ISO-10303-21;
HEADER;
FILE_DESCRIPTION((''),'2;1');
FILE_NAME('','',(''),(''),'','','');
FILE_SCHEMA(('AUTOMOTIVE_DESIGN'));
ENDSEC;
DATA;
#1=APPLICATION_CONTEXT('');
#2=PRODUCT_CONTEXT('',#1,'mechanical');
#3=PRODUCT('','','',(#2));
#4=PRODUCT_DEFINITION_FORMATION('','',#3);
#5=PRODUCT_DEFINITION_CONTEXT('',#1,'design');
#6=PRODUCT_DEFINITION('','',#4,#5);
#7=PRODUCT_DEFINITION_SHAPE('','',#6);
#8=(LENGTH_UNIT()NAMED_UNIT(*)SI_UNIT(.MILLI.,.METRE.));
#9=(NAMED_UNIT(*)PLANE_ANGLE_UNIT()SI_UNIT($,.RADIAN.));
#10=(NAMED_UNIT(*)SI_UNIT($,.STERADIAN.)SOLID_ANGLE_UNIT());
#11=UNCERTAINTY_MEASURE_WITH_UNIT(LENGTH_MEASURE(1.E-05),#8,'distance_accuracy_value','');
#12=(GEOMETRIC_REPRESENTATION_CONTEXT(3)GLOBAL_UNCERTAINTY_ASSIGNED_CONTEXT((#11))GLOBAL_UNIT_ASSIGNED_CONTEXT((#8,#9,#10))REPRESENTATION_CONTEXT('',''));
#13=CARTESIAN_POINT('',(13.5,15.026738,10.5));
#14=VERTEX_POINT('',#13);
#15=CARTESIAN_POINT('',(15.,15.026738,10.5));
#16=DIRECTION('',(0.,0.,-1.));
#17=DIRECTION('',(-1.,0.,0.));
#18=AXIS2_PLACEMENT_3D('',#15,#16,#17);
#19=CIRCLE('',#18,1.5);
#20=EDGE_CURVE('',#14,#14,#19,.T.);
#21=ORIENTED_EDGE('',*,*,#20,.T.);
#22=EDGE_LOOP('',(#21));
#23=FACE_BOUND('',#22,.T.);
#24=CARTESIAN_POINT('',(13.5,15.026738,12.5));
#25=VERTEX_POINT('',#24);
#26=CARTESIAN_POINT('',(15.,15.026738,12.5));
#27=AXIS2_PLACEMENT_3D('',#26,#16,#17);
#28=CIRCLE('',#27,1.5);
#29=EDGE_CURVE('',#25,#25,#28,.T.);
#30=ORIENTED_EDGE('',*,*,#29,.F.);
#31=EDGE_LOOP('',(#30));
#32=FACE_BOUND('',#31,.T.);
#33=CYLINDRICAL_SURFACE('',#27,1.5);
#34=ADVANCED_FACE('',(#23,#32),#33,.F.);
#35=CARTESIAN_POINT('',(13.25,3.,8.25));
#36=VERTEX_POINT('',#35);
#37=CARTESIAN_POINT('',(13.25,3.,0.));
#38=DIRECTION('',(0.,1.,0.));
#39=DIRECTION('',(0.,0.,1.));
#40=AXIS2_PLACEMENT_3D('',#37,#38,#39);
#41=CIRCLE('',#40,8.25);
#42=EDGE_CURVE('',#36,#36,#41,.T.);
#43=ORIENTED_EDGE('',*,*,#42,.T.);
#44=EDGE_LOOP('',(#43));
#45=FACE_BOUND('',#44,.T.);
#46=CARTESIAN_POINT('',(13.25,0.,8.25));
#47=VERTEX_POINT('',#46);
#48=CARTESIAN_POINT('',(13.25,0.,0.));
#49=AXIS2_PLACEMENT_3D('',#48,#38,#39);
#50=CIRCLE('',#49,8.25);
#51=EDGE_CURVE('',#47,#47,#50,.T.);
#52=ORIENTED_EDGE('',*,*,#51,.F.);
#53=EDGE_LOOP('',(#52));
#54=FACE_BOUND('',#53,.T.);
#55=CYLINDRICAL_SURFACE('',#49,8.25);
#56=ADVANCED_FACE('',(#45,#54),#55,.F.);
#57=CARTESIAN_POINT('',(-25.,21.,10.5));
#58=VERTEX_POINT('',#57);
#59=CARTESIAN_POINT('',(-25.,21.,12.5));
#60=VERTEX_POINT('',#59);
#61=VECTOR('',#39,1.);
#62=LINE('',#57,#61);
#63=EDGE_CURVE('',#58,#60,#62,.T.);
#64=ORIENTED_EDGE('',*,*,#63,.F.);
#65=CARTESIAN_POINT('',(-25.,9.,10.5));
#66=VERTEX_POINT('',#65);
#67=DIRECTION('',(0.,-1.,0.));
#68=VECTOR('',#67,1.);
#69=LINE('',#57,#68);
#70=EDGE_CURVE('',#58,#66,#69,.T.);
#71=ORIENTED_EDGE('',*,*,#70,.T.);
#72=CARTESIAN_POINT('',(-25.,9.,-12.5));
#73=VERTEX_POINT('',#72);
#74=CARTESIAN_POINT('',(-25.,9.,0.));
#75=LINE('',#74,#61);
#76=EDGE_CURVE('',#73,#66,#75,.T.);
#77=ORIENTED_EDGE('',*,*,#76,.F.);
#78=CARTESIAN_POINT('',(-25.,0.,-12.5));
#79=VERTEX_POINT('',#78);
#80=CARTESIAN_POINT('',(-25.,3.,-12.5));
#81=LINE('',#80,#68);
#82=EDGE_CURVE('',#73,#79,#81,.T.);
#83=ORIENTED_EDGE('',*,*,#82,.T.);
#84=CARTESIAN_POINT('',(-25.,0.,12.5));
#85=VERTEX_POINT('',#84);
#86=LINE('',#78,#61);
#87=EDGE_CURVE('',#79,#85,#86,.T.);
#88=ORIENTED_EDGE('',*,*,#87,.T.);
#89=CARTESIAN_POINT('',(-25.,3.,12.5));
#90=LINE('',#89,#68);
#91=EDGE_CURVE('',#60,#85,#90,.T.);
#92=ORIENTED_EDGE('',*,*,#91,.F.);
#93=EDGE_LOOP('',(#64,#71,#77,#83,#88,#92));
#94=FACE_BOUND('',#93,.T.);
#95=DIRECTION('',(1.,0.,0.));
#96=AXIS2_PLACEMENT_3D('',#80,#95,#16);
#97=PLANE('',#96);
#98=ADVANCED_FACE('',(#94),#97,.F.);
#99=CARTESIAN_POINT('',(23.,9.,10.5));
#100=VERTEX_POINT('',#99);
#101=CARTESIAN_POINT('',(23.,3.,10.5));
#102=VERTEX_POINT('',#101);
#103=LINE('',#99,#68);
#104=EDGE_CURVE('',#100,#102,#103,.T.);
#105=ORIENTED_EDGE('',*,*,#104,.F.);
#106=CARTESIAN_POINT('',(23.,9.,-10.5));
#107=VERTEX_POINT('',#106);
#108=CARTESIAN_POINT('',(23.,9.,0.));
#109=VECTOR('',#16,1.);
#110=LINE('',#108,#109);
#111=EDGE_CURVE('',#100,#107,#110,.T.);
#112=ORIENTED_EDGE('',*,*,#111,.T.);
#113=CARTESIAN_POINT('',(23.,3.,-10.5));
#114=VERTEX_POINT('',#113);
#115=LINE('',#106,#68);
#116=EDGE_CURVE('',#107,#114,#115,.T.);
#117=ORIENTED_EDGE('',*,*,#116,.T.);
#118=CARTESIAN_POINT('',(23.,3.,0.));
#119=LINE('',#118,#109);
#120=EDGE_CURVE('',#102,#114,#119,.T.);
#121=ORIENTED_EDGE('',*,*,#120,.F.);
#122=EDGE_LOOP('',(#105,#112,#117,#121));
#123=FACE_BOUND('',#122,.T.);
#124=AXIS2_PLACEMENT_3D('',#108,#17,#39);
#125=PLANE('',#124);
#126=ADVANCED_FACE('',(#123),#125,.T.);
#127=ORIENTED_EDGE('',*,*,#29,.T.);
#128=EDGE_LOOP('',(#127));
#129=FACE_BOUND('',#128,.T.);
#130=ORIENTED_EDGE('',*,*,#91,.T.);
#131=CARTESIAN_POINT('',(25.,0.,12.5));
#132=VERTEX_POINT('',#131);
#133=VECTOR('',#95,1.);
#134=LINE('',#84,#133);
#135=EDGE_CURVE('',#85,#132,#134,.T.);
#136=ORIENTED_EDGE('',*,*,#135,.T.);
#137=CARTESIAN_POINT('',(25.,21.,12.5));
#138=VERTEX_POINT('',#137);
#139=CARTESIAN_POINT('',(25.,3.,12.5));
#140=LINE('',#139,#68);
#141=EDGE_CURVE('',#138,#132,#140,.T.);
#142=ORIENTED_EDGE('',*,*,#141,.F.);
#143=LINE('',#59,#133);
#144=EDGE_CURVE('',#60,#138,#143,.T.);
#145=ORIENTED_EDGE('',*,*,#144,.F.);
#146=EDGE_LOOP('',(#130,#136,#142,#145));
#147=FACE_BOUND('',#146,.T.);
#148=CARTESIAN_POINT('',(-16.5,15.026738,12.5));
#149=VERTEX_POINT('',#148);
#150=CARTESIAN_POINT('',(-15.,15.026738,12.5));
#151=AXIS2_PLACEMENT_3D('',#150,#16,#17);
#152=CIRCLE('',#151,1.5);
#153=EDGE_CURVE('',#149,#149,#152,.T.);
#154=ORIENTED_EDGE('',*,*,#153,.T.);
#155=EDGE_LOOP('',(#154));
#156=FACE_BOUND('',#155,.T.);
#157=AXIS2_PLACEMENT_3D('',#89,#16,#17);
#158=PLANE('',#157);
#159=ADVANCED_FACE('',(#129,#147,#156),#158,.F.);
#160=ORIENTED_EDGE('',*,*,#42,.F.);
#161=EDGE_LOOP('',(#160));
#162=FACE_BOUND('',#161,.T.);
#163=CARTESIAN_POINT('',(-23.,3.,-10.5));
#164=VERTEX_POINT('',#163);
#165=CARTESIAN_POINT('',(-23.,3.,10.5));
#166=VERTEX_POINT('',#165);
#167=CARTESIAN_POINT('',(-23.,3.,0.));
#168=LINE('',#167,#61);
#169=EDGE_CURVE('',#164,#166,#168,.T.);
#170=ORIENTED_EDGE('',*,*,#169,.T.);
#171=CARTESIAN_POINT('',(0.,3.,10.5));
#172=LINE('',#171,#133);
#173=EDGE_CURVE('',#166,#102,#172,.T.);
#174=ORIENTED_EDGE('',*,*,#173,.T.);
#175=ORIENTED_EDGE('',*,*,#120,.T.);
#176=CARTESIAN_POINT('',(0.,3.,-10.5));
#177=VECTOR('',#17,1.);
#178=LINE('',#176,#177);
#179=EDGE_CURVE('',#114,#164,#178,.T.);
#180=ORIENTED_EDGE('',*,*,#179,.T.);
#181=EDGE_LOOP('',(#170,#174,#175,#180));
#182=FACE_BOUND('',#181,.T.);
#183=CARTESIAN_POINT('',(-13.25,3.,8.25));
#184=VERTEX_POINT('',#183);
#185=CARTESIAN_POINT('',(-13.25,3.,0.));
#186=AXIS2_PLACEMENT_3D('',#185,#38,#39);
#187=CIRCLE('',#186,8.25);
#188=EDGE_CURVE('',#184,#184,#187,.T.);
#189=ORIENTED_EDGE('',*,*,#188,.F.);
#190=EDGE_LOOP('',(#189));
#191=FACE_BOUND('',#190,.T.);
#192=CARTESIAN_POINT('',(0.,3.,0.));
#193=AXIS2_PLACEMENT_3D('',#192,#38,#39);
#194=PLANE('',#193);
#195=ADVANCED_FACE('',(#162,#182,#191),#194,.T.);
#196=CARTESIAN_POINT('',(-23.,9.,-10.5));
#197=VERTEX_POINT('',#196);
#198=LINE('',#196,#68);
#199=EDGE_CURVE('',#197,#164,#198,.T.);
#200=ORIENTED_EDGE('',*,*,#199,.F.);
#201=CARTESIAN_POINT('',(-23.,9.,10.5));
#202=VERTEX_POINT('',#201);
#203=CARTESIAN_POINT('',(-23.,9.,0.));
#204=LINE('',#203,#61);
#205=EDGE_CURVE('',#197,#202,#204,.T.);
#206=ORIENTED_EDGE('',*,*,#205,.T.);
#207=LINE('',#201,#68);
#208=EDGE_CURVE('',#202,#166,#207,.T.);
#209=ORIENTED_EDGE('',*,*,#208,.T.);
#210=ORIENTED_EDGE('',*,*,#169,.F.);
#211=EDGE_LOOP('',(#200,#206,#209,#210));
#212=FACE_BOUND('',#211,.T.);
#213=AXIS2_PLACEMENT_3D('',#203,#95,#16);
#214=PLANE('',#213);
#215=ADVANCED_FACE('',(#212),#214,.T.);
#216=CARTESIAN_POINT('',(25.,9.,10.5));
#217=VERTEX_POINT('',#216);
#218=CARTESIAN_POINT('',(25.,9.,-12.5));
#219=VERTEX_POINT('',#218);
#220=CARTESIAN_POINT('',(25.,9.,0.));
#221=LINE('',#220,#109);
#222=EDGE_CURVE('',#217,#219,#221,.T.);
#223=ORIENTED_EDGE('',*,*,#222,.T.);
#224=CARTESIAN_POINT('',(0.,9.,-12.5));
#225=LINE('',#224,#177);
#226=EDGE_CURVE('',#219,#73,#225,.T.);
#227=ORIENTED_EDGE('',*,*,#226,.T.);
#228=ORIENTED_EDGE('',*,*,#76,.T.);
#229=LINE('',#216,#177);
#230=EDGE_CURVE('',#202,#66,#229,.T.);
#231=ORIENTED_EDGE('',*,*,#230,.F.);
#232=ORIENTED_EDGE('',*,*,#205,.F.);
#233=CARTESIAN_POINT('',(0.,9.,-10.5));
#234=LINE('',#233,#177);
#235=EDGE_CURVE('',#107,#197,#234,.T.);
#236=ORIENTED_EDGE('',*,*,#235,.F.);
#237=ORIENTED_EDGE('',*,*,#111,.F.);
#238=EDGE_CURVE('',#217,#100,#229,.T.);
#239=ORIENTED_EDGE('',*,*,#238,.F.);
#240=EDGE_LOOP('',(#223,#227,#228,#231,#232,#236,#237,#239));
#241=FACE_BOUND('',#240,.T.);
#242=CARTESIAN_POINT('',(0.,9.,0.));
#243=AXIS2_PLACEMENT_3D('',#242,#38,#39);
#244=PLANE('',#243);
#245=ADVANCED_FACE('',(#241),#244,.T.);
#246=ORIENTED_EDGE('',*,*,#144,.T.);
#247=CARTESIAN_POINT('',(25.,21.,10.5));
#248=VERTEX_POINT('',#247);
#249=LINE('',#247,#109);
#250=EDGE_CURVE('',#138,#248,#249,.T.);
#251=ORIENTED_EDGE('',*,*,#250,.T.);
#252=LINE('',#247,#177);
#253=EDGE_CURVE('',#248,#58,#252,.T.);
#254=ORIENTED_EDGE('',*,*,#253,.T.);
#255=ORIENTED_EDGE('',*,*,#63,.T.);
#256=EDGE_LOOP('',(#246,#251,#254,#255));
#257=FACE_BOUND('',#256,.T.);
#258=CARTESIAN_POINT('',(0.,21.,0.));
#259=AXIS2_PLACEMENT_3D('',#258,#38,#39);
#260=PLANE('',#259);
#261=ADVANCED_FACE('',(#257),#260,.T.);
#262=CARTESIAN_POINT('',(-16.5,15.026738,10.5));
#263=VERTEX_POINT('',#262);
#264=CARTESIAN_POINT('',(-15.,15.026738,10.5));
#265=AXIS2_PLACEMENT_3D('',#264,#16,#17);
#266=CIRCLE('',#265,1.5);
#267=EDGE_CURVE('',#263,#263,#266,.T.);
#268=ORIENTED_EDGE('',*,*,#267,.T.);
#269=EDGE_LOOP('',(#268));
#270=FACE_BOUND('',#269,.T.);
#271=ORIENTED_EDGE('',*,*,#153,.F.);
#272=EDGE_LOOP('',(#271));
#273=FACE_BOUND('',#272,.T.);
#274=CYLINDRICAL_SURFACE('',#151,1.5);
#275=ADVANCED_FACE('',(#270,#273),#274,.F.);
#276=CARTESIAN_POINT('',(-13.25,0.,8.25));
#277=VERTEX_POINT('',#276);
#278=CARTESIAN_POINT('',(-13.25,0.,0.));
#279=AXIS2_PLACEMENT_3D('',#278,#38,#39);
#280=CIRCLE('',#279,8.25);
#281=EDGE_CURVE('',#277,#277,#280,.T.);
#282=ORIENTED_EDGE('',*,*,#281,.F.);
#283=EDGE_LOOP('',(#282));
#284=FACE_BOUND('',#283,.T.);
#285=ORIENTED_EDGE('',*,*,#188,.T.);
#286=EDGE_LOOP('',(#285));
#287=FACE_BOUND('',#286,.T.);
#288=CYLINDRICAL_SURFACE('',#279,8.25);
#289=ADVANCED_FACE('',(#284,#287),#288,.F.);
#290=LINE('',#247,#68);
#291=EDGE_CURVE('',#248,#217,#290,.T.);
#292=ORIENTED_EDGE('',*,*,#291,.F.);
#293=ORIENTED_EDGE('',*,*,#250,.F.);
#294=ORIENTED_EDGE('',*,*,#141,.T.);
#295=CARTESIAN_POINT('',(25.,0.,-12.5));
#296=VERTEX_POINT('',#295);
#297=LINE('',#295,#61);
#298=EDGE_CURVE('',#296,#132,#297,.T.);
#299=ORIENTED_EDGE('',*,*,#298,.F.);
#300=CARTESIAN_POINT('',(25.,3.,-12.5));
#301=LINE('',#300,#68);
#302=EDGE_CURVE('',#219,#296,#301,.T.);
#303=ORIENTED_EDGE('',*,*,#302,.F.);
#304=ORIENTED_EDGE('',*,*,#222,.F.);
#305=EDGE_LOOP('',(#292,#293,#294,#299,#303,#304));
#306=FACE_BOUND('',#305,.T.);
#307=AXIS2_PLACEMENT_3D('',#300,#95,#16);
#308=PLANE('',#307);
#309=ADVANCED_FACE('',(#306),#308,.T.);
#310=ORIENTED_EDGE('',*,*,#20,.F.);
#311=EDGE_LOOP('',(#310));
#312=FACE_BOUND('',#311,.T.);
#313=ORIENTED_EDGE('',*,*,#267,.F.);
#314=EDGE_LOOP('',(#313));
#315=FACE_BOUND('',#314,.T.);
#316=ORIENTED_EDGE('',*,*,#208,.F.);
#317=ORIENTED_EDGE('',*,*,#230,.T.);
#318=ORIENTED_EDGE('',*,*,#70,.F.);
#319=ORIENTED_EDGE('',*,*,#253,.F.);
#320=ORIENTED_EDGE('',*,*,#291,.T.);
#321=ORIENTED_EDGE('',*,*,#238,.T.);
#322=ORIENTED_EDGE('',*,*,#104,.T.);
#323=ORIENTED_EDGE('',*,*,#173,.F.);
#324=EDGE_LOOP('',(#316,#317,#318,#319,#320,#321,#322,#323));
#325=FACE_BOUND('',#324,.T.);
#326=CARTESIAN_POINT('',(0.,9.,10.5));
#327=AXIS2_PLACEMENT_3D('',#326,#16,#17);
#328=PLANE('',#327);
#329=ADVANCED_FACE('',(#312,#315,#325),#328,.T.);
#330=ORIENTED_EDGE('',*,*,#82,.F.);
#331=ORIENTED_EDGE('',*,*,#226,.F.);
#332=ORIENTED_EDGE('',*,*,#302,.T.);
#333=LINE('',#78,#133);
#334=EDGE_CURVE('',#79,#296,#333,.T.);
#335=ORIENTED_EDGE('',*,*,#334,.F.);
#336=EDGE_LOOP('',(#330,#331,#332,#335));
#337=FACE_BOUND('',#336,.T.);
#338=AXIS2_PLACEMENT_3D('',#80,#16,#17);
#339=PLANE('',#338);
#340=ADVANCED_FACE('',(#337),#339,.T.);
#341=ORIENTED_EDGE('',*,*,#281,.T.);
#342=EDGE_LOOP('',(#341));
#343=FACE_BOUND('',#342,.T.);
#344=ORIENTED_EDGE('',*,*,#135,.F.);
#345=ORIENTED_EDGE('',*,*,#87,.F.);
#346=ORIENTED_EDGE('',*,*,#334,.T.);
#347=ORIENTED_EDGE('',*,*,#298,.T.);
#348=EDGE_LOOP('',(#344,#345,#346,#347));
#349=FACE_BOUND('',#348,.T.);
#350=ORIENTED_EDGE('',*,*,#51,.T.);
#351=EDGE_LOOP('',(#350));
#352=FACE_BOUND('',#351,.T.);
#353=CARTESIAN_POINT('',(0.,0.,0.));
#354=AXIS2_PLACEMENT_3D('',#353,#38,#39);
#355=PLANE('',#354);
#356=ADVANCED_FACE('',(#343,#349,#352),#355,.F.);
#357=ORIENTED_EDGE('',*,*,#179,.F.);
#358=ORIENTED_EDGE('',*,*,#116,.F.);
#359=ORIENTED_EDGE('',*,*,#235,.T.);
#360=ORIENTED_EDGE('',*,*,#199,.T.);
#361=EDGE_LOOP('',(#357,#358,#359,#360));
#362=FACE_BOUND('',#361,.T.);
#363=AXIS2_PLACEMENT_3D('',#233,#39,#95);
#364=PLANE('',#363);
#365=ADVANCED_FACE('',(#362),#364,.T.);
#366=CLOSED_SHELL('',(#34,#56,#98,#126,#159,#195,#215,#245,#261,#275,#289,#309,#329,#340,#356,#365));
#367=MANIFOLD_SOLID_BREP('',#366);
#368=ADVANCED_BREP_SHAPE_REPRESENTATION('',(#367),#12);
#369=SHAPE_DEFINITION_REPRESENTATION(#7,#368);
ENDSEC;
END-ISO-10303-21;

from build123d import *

# Parameters (mm, degrees)
SKETCH1_W           = 50
SKETCH1_H           = 25
BOSS_EXTRUDE2_DEPTH = 3
SKETCH3_R           = 8.25
CUT_EXTRUDE2_DEPTH  = 29.111385594
SKETCH6_W           = 50
SKETCH6_H           = 25
SKETCH6_W_2         = 46
SKETCH6_H_2         = 21
BOSS_EXTRUDE3_DEPTH = 6
SKETCH7_W           = 50
SKETCH7_H           = 2
BOSS_EXTRUDE4_DEPTH = 12
SKETCH9_R           = 1.5
CUT_EXTRUDE3_DEPTH  = 40.937451095


with BuildPart() as part:
    # Sketch1 → Boss-Extrude2 (new body)
    with BuildSketch(Plane(origin=(0, 0, 0), x_dir=(1, 0, 0), z_dir=(0, 1, 0))):
        Rectangle(SKETCH1_W, SKETCH1_H)
    extrude(amount=BOSS_EXTRUDE2_DEPTH)

    # Sketch3 → Cut-Extrude2 (cut, through all)
    with BuildSketch(Plane(origin=(0, 3, 0), x_dir=(1, 0, 0), z_dir=(0, 1, 0))):
        with Locations(Location((13.25, 0, 0), (0, 0, 270))):
            Circle(SKETCH3_R)
        with Locations(Location((-13.25, 0, 0), (0, 0, 270))):
            Circle(SKETCH3_R)
    extrude(amount=-CUT_EXTRUDE2_DEPTH, mode=Mode.SUBTRACT)

    # Sketch6 → Boss-Extrude3 (add)
    with BuildSketch(Plane(origin=(0, 3, 0), x_dir=(1, 0, 0), z_dir=(0, 1, 0))):
        Rectangle(SKETCH6_W, SKETCH6_H)
        Rectangle(SKETCH6_W_2, SKETCH6_H_2, mode=Mode.SUBTRACT)
    extrude(amount=BOSS_EXTRUDE3_DEPTH)

    # Sketch7 → Boss-Extrude4 (add)
    with BuildSketch(Plane(origin=(0, 9, 0), x_dir=(1, 0, 0), z_dir=(0, 1, 0))):
        with Locations((0, -11.5)):
            Rectangle(SKETCH7_W, SKETCH7_H)
    extrude(amount=BOSS_EXTRUDE4_DEPTH)

    # Sketch9 → Cut-Extrude3 (cut, through all)
    with BuildSketch(Plane(origin=(0, 0, 10.5), x_dir=(-1, 0, 0), z_dir=(0, 0, -1))):
        with Locations((-15, 15.02673795)):
            Circle(SKETCH9_R)
        with Locations((15, 15.02673795)):
            Circle(SKETCH9_R)
    extrude(amount=-CUT_EXTRUDE3_DEPTH, mode=Mode.SUBTRACT)


solid = part.part
